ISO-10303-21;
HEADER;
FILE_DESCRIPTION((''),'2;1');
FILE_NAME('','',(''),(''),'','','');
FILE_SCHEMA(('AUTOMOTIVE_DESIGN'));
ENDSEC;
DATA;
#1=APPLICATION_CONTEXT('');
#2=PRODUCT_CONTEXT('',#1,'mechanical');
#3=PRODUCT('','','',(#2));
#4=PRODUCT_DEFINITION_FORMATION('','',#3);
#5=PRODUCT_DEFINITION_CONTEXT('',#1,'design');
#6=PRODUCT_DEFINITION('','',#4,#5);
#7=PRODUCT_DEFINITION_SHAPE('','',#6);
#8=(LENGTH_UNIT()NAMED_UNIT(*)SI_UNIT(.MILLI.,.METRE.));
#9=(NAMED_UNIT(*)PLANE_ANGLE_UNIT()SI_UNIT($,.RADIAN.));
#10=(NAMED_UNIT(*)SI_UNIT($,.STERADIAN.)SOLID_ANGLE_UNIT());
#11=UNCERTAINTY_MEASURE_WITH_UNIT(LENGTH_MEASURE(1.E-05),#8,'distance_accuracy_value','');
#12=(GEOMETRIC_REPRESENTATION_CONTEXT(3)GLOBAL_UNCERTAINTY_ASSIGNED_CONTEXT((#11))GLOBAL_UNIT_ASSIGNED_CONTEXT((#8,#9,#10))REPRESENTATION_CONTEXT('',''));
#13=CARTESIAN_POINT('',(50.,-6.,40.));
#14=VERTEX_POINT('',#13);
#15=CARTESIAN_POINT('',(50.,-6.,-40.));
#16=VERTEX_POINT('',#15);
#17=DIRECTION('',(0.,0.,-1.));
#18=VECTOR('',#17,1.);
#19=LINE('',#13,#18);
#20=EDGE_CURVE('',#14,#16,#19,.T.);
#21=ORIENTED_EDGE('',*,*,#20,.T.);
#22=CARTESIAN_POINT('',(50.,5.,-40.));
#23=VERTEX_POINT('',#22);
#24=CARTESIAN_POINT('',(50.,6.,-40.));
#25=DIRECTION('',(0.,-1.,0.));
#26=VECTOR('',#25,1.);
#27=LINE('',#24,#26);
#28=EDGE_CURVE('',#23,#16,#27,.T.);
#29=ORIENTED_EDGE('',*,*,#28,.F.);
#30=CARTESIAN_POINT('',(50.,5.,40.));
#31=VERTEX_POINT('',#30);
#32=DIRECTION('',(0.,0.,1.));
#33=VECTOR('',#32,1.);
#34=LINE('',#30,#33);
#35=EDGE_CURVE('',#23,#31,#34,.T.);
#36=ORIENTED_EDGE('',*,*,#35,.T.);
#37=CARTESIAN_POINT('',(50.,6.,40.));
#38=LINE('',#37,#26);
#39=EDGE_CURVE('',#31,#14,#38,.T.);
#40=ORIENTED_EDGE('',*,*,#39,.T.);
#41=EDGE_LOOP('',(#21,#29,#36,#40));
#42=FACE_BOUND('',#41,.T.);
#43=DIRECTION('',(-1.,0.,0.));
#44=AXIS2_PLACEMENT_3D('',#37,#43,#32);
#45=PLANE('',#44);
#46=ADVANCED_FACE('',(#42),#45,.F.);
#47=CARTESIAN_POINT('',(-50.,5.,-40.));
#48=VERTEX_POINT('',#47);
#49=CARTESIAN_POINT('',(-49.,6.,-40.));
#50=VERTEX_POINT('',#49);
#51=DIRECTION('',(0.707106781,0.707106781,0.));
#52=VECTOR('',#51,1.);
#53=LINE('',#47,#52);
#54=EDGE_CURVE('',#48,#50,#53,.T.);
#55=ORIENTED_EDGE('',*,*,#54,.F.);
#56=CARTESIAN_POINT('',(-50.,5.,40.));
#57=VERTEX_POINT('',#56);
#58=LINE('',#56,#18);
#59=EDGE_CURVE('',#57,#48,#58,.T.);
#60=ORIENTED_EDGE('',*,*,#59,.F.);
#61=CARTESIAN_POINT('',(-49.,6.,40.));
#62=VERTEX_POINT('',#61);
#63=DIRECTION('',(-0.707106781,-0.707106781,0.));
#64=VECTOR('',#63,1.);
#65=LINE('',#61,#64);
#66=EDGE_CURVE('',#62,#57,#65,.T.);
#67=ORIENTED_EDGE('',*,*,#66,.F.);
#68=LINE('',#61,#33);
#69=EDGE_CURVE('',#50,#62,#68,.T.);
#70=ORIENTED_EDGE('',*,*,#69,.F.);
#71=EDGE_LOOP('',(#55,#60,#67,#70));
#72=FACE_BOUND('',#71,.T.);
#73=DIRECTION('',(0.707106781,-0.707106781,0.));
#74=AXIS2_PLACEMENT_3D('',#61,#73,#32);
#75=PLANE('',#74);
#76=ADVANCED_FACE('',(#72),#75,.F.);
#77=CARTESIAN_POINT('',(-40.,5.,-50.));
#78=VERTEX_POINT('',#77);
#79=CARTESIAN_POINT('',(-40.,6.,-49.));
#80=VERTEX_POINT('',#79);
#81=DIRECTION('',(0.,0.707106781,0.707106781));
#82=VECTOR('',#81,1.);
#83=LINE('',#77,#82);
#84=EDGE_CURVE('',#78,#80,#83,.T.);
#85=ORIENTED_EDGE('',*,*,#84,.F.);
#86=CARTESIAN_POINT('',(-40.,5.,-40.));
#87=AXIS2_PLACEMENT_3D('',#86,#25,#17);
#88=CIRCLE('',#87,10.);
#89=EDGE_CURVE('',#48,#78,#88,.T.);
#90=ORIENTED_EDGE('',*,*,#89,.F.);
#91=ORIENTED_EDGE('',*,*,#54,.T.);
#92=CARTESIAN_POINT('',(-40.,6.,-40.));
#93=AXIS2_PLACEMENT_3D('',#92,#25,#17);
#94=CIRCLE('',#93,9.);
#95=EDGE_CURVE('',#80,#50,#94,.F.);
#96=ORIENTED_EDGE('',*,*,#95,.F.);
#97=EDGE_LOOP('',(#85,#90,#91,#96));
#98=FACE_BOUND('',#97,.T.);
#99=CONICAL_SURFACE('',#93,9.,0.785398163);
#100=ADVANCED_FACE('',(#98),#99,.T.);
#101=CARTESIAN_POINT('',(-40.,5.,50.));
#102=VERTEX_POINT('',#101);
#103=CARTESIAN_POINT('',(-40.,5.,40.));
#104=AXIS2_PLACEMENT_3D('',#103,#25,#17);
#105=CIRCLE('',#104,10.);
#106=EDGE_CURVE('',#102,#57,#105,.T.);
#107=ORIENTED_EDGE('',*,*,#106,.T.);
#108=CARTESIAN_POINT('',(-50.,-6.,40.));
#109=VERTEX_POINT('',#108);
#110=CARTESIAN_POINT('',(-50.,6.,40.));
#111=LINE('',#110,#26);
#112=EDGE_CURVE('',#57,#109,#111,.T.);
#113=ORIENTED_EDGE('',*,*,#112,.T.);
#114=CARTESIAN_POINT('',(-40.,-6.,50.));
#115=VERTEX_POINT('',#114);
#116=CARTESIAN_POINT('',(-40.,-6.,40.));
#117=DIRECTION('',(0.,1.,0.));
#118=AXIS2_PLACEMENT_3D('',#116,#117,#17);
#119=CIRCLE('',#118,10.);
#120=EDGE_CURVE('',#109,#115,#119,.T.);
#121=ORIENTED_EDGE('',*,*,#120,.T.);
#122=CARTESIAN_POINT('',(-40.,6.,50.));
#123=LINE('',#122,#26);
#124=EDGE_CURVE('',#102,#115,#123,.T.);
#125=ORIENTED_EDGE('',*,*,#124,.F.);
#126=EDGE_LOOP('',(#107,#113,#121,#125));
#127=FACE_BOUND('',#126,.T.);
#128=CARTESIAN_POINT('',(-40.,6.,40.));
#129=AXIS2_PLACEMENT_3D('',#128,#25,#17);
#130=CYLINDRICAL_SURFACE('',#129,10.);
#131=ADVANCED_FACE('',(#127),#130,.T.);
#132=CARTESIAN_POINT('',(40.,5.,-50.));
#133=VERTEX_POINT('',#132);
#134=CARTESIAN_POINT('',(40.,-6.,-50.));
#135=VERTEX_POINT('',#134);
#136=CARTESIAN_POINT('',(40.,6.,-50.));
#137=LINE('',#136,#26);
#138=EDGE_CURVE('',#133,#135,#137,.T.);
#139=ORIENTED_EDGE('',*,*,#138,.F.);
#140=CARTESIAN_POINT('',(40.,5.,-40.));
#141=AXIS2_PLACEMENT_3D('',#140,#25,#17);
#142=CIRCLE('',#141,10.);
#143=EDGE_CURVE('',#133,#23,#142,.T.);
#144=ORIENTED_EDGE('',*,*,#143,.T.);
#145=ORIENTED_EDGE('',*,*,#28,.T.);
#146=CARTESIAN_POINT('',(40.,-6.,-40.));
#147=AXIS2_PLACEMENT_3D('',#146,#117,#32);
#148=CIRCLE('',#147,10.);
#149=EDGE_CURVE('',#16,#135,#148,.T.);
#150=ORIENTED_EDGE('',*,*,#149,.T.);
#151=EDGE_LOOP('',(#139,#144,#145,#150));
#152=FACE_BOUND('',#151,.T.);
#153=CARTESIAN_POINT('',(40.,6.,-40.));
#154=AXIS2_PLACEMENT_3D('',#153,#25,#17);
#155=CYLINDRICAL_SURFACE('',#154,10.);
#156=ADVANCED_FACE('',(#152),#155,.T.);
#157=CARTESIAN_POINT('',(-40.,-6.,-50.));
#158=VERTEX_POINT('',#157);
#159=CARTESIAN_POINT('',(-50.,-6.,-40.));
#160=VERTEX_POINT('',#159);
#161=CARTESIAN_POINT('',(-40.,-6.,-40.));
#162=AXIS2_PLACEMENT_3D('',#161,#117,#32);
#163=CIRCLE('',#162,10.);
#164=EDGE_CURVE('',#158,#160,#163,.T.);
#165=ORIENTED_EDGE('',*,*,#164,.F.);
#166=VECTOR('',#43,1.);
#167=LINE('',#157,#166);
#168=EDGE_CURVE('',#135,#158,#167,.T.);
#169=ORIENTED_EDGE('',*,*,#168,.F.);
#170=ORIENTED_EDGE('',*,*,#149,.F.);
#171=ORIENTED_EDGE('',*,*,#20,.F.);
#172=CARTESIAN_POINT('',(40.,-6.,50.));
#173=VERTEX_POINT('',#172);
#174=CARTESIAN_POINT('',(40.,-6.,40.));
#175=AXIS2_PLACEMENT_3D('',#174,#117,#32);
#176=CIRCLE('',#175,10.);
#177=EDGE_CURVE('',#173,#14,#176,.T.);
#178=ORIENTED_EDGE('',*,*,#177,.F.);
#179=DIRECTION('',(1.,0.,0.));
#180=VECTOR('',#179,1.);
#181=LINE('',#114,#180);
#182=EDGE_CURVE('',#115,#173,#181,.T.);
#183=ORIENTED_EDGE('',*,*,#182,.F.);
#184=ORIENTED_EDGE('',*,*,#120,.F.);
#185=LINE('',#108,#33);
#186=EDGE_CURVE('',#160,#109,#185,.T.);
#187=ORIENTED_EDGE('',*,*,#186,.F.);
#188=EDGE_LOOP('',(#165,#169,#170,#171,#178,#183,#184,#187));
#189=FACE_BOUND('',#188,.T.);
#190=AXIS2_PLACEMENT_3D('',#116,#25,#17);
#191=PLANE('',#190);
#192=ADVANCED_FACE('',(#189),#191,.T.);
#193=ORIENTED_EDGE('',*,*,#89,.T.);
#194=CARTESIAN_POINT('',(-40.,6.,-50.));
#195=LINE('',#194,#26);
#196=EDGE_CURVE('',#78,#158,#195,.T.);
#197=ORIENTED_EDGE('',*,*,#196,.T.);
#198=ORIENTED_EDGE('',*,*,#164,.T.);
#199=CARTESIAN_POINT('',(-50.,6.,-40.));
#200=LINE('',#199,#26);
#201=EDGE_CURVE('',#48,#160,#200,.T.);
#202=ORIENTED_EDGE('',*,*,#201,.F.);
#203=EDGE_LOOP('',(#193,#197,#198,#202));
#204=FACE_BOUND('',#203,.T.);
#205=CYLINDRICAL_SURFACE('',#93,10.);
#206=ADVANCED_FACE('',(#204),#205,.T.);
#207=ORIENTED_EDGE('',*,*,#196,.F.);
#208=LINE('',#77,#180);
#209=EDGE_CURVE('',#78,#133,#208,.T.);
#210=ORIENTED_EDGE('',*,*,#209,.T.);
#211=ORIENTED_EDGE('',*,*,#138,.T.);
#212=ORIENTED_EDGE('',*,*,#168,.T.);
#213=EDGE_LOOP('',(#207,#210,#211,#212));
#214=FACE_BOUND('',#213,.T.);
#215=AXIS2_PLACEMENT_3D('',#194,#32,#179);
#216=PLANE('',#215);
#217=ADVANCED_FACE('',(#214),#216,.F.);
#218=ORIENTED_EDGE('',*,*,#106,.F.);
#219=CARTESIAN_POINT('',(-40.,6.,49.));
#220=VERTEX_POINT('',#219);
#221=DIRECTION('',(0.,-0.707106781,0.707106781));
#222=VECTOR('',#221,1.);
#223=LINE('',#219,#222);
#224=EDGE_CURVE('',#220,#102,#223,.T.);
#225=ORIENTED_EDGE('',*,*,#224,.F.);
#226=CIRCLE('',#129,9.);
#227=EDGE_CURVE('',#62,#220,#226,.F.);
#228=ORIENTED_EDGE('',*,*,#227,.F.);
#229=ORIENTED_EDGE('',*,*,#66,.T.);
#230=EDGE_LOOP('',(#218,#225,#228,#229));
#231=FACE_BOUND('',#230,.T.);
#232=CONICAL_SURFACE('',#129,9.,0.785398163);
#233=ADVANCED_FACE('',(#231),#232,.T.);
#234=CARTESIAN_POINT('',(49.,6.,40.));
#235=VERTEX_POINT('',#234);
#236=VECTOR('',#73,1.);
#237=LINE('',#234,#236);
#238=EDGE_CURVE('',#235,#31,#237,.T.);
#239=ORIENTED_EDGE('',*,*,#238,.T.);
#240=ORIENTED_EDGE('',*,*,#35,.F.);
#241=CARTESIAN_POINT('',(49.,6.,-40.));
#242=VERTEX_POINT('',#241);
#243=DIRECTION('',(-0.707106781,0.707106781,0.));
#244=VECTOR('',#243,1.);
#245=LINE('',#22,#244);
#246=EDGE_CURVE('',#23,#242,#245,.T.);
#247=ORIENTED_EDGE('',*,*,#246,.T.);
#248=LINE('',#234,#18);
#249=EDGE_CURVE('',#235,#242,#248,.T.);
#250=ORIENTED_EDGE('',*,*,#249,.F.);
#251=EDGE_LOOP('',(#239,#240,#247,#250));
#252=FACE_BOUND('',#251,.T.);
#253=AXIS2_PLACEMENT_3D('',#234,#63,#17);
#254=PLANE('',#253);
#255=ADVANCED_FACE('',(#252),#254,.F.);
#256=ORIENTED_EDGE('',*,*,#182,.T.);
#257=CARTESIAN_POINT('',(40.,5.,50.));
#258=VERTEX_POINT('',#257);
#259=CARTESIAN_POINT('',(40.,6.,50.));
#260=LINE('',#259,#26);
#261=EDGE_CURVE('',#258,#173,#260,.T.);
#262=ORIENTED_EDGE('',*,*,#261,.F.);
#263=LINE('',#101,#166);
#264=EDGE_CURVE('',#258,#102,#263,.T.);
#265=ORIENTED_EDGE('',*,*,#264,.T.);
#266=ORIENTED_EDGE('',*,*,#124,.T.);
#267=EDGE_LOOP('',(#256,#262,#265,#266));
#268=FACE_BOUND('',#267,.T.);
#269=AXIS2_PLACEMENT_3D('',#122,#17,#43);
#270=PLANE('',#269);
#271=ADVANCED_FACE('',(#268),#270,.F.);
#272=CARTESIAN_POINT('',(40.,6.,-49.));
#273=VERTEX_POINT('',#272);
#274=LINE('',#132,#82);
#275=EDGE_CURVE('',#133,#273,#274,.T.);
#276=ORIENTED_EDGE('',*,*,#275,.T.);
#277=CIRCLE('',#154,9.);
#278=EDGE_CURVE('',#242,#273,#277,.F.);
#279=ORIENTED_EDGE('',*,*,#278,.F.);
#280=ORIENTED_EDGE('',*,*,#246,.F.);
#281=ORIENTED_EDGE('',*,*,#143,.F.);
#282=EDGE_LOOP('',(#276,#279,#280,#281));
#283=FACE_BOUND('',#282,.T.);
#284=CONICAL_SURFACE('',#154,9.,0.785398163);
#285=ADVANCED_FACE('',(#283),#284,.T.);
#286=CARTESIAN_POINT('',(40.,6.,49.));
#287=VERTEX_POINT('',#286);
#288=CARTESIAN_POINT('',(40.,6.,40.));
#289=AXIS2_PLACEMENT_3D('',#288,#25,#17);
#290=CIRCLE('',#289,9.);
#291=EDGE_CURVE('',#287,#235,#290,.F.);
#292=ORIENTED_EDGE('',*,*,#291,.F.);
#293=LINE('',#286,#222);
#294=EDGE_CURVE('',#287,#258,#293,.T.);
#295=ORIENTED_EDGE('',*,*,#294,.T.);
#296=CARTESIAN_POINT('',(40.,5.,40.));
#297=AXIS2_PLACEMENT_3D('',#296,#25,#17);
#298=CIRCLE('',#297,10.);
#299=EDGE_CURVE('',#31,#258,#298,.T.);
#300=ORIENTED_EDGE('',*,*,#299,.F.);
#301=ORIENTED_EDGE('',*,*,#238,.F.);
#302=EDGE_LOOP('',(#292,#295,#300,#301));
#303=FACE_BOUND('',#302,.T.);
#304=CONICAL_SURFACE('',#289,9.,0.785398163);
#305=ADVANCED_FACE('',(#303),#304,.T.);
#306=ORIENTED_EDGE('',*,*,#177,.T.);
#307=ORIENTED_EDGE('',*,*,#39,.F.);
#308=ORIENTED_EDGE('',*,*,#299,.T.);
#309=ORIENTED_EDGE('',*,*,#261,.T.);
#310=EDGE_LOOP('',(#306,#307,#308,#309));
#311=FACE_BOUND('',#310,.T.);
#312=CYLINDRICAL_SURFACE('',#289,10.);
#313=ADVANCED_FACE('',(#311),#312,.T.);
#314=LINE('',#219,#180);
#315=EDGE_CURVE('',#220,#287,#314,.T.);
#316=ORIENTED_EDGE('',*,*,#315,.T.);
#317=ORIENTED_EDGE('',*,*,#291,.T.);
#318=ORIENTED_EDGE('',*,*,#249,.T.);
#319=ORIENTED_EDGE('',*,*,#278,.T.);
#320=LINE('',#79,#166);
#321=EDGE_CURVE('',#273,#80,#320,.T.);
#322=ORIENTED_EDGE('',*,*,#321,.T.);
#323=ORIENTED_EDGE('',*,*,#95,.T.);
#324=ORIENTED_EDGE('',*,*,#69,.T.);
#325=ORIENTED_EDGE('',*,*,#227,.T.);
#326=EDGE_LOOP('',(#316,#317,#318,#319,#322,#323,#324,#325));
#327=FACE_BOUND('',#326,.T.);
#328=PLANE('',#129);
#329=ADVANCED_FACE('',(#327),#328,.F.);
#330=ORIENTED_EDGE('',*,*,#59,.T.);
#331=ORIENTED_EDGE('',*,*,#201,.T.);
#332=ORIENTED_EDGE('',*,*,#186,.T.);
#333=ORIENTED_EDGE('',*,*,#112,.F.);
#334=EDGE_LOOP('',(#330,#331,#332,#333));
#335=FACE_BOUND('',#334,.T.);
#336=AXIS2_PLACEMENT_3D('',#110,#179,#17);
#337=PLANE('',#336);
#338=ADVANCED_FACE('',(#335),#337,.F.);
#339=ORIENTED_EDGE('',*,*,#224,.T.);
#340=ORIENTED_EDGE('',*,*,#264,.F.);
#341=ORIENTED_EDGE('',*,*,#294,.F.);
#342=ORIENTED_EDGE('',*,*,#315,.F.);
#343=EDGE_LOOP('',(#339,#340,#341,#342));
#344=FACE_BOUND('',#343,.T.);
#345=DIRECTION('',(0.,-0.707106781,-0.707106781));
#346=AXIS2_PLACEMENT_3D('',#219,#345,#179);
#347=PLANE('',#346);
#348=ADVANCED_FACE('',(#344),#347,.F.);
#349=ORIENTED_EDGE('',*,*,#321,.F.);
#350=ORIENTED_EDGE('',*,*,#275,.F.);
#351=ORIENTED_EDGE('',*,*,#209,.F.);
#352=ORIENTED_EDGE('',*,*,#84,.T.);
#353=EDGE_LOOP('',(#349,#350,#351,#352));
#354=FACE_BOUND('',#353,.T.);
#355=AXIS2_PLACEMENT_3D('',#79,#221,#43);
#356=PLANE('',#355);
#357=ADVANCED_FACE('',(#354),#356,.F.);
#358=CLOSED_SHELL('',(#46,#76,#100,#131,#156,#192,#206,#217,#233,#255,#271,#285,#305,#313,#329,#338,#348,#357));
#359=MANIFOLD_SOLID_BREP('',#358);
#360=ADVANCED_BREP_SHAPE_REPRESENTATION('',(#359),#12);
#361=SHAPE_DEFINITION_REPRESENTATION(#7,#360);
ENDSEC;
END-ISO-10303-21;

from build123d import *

# Parameters (mm, degrees)
BOSS_EXTRUDE1_DEPTH = 6
CHAMFER1_SIZE       = 1


with BuildPart() as part:
    # Sketch1 → Boss-Extrude1 (new body, symmetric)
    with BuildSketch(Plane(origin=(0, 0, 0), x_dir=(1, 0, 0), z_dir=(0, 1, 0))):
        with BuildLine():
            Line((-40, -50), (40, -50))
            ThreePointArc((40, -50), (47.071067812, -47.071067812), (50, -40))
            Line((50, -40), (50, 40))
            ThreePointArc((50, 40), (47.071067812, 47.071067812), (40, 50))
            Line((40, 50), (-40, 50))
            ThreePointArc((-40, 50), (-47.071067812, 47.071067812), (-50, 40))
            Line((-50, 40), (-50, -40))
            ThreePointArc((-50, -40), (-47.071067812, -47.071067812), (-40, -50))
        make_face()
    extrude(amount=BOSS_EXTRUDE1_DEPTH, both=True)

    # Chamfer1
    chamfer1_edges = [part.edges().sort_by_distance(p)[0] for p in [
        (47.071067812, 6, 47.071067812),
        (50, 6, 0),
        (47.071067812, 6, -47.071067812),
        (0, 6, -50),
        (-47.071067812, 6, -47.071067812),
        (-50, 6, 0),
        (-47.071067812, 6, 47.071067812),
        (0, 6, 50),
    ]]
    chamfer(chamfer1_edges, length=CHAMFER1_SIZE)


solid = part.part
